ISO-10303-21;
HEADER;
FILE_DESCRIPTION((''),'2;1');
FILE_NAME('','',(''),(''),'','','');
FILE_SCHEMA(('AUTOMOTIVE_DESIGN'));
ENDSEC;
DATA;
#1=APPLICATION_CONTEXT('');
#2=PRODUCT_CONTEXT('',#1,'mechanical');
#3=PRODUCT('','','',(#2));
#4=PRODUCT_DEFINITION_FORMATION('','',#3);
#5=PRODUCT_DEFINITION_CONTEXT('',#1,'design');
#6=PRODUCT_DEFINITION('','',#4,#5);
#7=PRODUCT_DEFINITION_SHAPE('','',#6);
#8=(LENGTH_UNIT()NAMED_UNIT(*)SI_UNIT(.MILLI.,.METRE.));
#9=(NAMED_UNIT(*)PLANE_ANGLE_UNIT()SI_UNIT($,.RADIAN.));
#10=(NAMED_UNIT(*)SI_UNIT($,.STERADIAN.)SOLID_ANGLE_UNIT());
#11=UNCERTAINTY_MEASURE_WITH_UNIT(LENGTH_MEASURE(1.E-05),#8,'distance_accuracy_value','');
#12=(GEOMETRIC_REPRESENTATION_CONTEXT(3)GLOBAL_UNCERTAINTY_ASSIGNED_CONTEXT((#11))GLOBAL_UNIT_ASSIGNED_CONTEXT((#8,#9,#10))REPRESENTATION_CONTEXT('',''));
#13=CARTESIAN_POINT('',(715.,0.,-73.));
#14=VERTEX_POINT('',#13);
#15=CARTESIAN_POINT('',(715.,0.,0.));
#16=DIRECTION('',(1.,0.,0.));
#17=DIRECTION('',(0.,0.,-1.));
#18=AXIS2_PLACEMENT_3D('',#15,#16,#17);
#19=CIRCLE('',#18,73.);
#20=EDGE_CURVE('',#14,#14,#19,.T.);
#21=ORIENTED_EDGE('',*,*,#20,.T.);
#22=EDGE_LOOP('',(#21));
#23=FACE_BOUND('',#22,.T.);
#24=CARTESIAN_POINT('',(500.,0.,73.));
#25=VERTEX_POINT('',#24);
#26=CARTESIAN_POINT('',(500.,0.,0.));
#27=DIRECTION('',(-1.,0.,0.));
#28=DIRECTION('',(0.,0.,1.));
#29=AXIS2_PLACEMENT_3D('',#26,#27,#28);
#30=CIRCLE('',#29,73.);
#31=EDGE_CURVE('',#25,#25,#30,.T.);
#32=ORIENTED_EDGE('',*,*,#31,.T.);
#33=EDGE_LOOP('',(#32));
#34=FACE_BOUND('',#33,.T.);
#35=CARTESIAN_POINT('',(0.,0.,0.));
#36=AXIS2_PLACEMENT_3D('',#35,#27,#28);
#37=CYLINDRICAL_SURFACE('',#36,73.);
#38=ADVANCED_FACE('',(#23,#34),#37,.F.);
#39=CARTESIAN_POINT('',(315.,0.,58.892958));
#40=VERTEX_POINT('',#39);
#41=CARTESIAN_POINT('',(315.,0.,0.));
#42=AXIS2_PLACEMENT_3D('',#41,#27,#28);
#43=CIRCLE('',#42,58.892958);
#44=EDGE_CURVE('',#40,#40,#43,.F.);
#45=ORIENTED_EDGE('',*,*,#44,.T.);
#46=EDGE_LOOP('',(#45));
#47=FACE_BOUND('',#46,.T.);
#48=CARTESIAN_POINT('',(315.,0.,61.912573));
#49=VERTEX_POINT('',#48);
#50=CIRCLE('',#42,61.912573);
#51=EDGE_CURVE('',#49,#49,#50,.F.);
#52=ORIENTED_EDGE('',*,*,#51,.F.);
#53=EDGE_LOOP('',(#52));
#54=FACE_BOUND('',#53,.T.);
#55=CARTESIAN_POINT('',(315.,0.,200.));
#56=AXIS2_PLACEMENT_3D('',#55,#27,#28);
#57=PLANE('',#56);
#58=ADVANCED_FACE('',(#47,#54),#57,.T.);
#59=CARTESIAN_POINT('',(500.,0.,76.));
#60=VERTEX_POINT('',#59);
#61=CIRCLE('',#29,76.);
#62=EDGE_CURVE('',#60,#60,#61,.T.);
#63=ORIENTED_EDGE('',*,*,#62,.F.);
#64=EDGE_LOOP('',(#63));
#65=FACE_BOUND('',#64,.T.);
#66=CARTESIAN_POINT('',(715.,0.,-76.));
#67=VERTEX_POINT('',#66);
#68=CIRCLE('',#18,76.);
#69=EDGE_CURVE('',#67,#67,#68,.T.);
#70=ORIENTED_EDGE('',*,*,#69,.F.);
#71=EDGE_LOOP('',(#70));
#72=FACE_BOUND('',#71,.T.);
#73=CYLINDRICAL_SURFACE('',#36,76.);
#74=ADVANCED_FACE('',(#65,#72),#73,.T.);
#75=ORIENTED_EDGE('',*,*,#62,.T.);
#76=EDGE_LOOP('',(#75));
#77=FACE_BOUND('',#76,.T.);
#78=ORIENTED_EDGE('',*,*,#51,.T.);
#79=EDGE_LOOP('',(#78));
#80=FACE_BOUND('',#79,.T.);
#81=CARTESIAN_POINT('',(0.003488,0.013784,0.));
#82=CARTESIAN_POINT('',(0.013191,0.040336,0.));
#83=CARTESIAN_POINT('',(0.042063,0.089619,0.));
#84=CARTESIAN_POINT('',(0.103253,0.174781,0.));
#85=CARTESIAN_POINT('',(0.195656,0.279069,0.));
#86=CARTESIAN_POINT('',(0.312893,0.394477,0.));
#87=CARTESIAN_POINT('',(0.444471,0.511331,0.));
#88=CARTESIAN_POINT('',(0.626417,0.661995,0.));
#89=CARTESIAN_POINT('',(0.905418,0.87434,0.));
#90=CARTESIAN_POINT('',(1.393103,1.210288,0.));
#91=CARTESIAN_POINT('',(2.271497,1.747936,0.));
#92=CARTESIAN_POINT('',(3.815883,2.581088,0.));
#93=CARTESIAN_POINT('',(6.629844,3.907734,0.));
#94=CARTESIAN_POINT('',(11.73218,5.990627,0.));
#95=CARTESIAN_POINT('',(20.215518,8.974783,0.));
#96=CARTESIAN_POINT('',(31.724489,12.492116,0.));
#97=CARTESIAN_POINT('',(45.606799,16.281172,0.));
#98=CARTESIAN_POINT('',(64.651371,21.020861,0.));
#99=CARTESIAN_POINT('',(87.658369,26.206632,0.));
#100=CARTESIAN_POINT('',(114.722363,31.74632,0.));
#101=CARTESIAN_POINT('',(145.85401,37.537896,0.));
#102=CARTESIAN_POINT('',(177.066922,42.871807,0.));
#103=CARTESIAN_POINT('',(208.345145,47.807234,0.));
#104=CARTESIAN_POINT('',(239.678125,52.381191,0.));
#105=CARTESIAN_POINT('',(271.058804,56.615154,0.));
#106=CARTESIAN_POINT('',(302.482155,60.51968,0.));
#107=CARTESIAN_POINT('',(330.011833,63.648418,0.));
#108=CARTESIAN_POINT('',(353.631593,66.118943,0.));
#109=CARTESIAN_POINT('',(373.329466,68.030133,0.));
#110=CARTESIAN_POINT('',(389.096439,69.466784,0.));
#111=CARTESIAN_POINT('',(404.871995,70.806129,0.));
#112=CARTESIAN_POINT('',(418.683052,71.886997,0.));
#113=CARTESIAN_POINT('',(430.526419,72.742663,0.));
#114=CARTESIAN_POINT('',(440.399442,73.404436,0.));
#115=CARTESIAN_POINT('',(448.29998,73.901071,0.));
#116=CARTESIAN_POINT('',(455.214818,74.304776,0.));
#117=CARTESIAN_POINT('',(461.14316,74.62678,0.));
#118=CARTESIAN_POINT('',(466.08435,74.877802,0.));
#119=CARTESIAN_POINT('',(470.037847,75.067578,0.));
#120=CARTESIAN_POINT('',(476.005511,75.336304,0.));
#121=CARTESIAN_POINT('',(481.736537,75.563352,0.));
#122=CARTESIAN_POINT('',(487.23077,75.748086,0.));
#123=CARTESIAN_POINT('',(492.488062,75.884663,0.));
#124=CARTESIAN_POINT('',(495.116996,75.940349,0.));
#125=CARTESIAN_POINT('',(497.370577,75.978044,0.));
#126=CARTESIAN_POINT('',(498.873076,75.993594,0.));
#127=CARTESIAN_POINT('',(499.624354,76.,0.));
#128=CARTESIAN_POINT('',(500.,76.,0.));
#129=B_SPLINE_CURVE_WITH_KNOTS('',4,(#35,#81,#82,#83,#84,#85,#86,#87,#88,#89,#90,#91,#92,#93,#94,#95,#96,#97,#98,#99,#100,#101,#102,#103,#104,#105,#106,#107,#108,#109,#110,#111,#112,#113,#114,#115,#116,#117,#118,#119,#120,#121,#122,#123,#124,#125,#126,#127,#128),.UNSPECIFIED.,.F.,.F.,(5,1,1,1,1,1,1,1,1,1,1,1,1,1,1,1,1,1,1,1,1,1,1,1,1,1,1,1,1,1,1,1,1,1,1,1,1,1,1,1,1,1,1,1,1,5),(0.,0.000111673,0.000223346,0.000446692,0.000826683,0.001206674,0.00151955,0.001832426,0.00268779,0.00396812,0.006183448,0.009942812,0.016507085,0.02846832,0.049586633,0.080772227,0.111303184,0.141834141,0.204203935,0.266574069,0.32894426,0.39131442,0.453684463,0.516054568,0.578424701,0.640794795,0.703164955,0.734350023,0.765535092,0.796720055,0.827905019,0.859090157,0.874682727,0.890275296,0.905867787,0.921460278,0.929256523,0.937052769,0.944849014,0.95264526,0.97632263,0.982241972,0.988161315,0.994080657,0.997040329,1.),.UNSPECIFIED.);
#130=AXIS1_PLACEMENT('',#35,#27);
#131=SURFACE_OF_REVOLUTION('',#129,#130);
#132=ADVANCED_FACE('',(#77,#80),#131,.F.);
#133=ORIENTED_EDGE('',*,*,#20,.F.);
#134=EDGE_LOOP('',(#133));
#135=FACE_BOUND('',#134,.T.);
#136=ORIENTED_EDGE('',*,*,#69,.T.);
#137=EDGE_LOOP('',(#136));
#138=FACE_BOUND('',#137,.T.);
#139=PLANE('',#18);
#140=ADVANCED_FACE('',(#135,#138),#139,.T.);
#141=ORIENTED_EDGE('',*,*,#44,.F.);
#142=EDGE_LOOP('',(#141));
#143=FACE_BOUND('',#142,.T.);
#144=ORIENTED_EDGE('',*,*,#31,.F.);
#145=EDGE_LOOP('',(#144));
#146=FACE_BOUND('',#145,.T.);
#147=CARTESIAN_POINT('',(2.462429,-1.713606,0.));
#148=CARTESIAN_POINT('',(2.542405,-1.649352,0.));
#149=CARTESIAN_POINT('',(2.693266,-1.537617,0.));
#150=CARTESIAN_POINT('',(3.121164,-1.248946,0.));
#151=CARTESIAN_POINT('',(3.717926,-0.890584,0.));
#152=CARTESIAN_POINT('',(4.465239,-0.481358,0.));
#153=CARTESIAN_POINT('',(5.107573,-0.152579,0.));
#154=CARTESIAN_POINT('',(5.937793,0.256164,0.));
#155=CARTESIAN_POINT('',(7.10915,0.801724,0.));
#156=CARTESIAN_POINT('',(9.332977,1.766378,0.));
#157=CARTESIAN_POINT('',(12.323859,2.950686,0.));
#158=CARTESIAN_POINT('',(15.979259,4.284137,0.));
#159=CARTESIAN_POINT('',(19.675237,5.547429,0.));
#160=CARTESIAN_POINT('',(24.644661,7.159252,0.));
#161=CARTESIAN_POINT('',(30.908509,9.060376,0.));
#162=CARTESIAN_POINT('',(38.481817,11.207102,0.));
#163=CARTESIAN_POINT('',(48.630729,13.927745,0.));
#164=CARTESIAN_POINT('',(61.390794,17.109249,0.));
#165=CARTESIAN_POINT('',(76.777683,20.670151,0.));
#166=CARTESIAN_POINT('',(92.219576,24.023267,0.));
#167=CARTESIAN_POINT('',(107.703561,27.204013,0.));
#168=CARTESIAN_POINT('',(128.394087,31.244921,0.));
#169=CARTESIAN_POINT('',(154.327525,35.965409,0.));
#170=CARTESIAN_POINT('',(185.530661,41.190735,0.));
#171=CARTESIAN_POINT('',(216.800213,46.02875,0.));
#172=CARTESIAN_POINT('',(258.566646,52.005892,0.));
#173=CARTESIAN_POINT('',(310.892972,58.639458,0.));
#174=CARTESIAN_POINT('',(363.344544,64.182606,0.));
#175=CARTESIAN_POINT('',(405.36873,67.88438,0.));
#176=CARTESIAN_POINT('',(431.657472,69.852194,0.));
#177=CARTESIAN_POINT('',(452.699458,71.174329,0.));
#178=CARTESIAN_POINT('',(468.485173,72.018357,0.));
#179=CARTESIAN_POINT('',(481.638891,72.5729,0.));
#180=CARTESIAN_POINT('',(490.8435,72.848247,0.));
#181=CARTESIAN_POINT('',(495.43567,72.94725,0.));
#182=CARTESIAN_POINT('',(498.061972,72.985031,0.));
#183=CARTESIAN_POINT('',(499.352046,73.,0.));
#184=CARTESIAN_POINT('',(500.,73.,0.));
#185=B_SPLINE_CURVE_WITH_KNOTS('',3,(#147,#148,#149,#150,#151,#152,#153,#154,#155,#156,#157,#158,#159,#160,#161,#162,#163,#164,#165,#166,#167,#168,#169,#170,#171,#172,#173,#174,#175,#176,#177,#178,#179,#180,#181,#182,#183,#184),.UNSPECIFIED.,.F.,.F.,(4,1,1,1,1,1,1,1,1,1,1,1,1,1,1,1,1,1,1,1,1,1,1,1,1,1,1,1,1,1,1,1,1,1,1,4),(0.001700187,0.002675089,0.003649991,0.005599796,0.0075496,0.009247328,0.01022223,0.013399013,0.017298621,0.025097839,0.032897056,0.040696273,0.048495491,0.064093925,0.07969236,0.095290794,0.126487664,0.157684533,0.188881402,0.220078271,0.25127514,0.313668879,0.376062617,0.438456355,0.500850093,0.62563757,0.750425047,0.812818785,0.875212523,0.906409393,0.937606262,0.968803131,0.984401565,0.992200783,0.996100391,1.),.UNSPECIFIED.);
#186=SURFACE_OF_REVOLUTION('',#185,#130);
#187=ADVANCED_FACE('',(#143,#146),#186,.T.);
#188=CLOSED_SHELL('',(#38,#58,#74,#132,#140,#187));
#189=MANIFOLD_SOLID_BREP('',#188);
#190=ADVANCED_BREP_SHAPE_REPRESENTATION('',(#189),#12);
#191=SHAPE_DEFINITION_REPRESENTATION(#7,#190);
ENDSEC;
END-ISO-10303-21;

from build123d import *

# Parameters (mm, degrees)
SKETCH2_W               = 15
SKETCH2_H               = 3
CUT_EXTRUDE1_DEPTH      = 527.095998873
CUT_EXTRUDE1_DEPTH_BACK = 527.095998873
SKETCH3_W               = 60
SKETCH3_H               = 40
CUT_EXTRUDE4_DEPTH      = 200
CUT_EXTRUDE4_DEPTH_BACK = 200
SKETCH7_W               = 25.155677674
SKETCH7_H               = 116.957586973
CUT_EXTRUDE5_DEPTH      = 200
CUT_EXTRUDE5_DEPTH_BACK = 200
SKETCH10_W              = 81.753686474
SKETCH10_H              = 71.861814367
SKETCH10_H_2            = 66.111228802
SKETCH11_R              = 76
SKETCH11_R_2            = 73
BOSS_EXTRUDE1_DEPTH     = 200


with BuildPart() as part:
    # Sketch2 → Revolve1 (revolve)
    with BuildSketch(Plane.XY, mode=Mode.PRIVATE) as revolve1_sk:
        with BuildLine():
            add(Edge.make_bspline(
                [(0, 0), (0.003488157, 0.013783816), (0.01319051, 0.04033603), (0.042063455, 0.089619378), (0.103253354, 0.174781236), (0.195655925, 0.279068591), (0.312893359, 0.394476748), (0.444471001, 0.511330855), (0.626416713, 0.661995475), (0.905417524, 0.874340043), (1.39310301, 1.210288344), (2.271497179, 1.747935993), (3.81588258, 2.58108843), (6.629844229, 3.907734136), (11.732179856, 5.990626535), (20.21551767, 8.974782838), (31.724489027, 12.492116493), (45.606799288, 16.281172086), (64.651371321, 21.020860811), (87.658368898, 26.206631662), (114.722363422, 31.746320492), (145.854010301, 37.537896498), (177.066921726, 42.871807206), (208.345145014, 47.80723428), (239.678124678, 52.381191067), (271.058803785, 56.615153522), (302.482154914, 60.519680025), (330.011833268, 63.648418258), (353.631593101, 66.11894295), (373.329466343, 68.03013258), (389.09643856, 69.466784443), (404.87199461, 70.806129018), (418.683052253, 71.886996993), (430.526418849, 72.742662769), (440.399441684, 73.404435972), (448.299980017, 73.901071328), (455.214817724, 74.304775576), (461.143160456, 74.62677953), (466.084350078, 74.877801517), (470.037846817, 75.067577987), (476.005510657, 75.336303636), (481.736537174, 75.563352259), (487.230769759, 75.748085721), (492.488061525, 75.884662604), (495.116996281, 75.940348523), (497.370577281, 75.978043797), (498.87307617, 75.993594118), (499.624354134, 76), (500, 76)],
                knots=[0, 0, 0, 0, 0, 0.000111673, 0.000223346, 0.000446692, 0.000826683, 0.001206674, 0.00151955, 0.001832426, 0.00268779, 0.00396812, 0.006183448, 0.009942812, 0.016507085, 0.02846832, 0.049586633, 0.080772227, 0.111303184, 0.141834141, 0.204203935, 0.266574069, 0.32894426, 0.39131442, 0.453684463, 0.516054568, 0.578424701, 0.640794795, 0.703164955, 0.734350023, 0.765535092, 0.796720055, 0.827905019, 0.859090157, 0.874682727, 0.890275296, 0.905867787, 0.921460278, 0.929256523, 0.937052769, 0.944849014, 0.95264526, 0.97632263, 0.982241972, 0.988161315, 0.994080657, 0.997040329, 1, 1, 1, 1, 1], degree=4))
            Line((0, 0), (5.417953983, 0))
            add(Edge.make_bspline(
                [(5.417953983, 0), (5.487108618, 0.034056877), (6.008710879, 0.289194044), (7.109149759, 0.801724321), (9.332977209, 1.766377761), (12.323858805, 2.950685774), (15.979259037, 4.284137308), (19.675237412, 5.547428931), (24.644660852, 7.159251815), (30.908509069, 9.060376022), (38.481817212, 11.207101646), (48.630728592, 13.927744802), (61.390794469, 17.109248907), (76.777682749, 20.670150662), (92.21957601, 24.023267405), (107.703561132, 27.204013148), (128.394086795, 31.244920878), (154.327525342, 35.965408795), (185.530660988, 41.190734583), (216.800212994, 46.028750173), (258.5666461, 52.005891763), (310.892971562, 58.639458433), (363.34454376, 64.182605862), (405.368729998, 67.884379641), (431.657472473, 69.852194461), (452.699458369, 71.174329189), (468.485172815, 72.018357182), (481.638890805, 72.572899611), (490.843500267, 72.848246709), (495.435669889, 72.947250254), (498.061971579, 72.985030833), (499.352045651, 73), (500, 73)],
                knots=[0.009734779, 0.009734779, 0.009734779, 0.009734779, 0.01022223, 0.013399013, 0.017298621, 0.025097839, 0.032897056, 0.040696273, 0.048495491, 0.064093925, 0.07969236, 0.095290794, 0.126487664, 0.157684533, 0.188881402, 0.220078271, 0.25127514, 0.313668879, 0.376062617, 0.438456355, 0.500850093, 0.62563757, 0.750425047, 0.812818785, 0.875212523, 0.906409393, 0.937606262, 0.968803131, 0.984401565, 0.992200783, 0.996100391, 1, 1, 1, 1], degree=3))
            Line((500, 73), (500, 76))
        make_face()
        with Locations((507.5, 74.5)):
            Rectangle(SKETCH2_W, SKETCH2_H)
    revolve(revolve1_sk.sketch.rotate(Axis((0, 0, 0), (1, 0, 0)), 90), axis=Axis((0, 0, 0), (1, 0, 0)))

    # Sketch3 → Cut-Extrude1 (cut, two sides: drawn at the far end of the back side and taken through both)
    with BuildSketch(Plane.XY.offset(-CUT_EXTRUDE1_DEPTH_BACK)):
        Rectangle(SKETCH3_W, SKETCH3_H)
    extrude(amount=CUT_EXTRUDE1_DEPTH + CUT_EXTRUDE1_DEPTH_BACK, mode=Mode.SUBTRACT)

    # Sketch7 → Cut-Extrude4 (cut, two sides: drawn at the far end of the back side and taken through both)
    with BuildSketch(Plane.XY.offset(-CUT_EXTRUDE4_DEPTH_BACK)):
        with Locations((23.819627951, -5.478793487)):
            Rectangle(SKETCH7_W, SKETCH7_H)
        Polygon((36.397466788, 53), (244.628505212, 53), (244.628505212, 0), (244.628505212, -63.957586973), (36.397466788, -63.957586973), align=None)
    extrude(amount=CUT_EXTRUDE4_DEPTH + CUT_EXTRUDE4_DEPTH_BACK, mode=Mode.SUBTRACT)

    # Sketch10 → Cut-Extrude5 (cut, two sides: drawn at the far end of the back side and taken through both)
    with BuildSketch(Plane.XY.offset(-CUT_EXTRUDE5_DEPTH_BACK)):
        with Locations((274.123156763, 35.930907184)):
            Rectangle(SKETCH10_W, SKETCH10_H)
        with Locations((274.123156763, -33.055614401)):
            Rectangle(SKETCH10_W, SKETCH10_H_2)
    extrude(amount=CUT_EXTRUDE5_DEPTH + CUT_EXTRUDE5_DEPTH_BACK, mode=Mode.SUBTRACT)

    # Sketch11 → Boss-Extrude1 (add)
    with BuildSketch(Plane(origin=(515, 0, 0), x_dir=(0, 0, -1), z_dir=(1, 0, 0))):
        with Locations(Location((0, 0, 0), (0, 0, 180))):
            Circle(SKETCH11_R)
        with Locations(Location((0, 0, 0), (0, 0, 180))):
            Circle(SKETCH11_R_2, mode=Mode.SUBTRACT)
    extrude(amount=BOSS_EXTRUDE1_DEPTH)


solid = part.part
